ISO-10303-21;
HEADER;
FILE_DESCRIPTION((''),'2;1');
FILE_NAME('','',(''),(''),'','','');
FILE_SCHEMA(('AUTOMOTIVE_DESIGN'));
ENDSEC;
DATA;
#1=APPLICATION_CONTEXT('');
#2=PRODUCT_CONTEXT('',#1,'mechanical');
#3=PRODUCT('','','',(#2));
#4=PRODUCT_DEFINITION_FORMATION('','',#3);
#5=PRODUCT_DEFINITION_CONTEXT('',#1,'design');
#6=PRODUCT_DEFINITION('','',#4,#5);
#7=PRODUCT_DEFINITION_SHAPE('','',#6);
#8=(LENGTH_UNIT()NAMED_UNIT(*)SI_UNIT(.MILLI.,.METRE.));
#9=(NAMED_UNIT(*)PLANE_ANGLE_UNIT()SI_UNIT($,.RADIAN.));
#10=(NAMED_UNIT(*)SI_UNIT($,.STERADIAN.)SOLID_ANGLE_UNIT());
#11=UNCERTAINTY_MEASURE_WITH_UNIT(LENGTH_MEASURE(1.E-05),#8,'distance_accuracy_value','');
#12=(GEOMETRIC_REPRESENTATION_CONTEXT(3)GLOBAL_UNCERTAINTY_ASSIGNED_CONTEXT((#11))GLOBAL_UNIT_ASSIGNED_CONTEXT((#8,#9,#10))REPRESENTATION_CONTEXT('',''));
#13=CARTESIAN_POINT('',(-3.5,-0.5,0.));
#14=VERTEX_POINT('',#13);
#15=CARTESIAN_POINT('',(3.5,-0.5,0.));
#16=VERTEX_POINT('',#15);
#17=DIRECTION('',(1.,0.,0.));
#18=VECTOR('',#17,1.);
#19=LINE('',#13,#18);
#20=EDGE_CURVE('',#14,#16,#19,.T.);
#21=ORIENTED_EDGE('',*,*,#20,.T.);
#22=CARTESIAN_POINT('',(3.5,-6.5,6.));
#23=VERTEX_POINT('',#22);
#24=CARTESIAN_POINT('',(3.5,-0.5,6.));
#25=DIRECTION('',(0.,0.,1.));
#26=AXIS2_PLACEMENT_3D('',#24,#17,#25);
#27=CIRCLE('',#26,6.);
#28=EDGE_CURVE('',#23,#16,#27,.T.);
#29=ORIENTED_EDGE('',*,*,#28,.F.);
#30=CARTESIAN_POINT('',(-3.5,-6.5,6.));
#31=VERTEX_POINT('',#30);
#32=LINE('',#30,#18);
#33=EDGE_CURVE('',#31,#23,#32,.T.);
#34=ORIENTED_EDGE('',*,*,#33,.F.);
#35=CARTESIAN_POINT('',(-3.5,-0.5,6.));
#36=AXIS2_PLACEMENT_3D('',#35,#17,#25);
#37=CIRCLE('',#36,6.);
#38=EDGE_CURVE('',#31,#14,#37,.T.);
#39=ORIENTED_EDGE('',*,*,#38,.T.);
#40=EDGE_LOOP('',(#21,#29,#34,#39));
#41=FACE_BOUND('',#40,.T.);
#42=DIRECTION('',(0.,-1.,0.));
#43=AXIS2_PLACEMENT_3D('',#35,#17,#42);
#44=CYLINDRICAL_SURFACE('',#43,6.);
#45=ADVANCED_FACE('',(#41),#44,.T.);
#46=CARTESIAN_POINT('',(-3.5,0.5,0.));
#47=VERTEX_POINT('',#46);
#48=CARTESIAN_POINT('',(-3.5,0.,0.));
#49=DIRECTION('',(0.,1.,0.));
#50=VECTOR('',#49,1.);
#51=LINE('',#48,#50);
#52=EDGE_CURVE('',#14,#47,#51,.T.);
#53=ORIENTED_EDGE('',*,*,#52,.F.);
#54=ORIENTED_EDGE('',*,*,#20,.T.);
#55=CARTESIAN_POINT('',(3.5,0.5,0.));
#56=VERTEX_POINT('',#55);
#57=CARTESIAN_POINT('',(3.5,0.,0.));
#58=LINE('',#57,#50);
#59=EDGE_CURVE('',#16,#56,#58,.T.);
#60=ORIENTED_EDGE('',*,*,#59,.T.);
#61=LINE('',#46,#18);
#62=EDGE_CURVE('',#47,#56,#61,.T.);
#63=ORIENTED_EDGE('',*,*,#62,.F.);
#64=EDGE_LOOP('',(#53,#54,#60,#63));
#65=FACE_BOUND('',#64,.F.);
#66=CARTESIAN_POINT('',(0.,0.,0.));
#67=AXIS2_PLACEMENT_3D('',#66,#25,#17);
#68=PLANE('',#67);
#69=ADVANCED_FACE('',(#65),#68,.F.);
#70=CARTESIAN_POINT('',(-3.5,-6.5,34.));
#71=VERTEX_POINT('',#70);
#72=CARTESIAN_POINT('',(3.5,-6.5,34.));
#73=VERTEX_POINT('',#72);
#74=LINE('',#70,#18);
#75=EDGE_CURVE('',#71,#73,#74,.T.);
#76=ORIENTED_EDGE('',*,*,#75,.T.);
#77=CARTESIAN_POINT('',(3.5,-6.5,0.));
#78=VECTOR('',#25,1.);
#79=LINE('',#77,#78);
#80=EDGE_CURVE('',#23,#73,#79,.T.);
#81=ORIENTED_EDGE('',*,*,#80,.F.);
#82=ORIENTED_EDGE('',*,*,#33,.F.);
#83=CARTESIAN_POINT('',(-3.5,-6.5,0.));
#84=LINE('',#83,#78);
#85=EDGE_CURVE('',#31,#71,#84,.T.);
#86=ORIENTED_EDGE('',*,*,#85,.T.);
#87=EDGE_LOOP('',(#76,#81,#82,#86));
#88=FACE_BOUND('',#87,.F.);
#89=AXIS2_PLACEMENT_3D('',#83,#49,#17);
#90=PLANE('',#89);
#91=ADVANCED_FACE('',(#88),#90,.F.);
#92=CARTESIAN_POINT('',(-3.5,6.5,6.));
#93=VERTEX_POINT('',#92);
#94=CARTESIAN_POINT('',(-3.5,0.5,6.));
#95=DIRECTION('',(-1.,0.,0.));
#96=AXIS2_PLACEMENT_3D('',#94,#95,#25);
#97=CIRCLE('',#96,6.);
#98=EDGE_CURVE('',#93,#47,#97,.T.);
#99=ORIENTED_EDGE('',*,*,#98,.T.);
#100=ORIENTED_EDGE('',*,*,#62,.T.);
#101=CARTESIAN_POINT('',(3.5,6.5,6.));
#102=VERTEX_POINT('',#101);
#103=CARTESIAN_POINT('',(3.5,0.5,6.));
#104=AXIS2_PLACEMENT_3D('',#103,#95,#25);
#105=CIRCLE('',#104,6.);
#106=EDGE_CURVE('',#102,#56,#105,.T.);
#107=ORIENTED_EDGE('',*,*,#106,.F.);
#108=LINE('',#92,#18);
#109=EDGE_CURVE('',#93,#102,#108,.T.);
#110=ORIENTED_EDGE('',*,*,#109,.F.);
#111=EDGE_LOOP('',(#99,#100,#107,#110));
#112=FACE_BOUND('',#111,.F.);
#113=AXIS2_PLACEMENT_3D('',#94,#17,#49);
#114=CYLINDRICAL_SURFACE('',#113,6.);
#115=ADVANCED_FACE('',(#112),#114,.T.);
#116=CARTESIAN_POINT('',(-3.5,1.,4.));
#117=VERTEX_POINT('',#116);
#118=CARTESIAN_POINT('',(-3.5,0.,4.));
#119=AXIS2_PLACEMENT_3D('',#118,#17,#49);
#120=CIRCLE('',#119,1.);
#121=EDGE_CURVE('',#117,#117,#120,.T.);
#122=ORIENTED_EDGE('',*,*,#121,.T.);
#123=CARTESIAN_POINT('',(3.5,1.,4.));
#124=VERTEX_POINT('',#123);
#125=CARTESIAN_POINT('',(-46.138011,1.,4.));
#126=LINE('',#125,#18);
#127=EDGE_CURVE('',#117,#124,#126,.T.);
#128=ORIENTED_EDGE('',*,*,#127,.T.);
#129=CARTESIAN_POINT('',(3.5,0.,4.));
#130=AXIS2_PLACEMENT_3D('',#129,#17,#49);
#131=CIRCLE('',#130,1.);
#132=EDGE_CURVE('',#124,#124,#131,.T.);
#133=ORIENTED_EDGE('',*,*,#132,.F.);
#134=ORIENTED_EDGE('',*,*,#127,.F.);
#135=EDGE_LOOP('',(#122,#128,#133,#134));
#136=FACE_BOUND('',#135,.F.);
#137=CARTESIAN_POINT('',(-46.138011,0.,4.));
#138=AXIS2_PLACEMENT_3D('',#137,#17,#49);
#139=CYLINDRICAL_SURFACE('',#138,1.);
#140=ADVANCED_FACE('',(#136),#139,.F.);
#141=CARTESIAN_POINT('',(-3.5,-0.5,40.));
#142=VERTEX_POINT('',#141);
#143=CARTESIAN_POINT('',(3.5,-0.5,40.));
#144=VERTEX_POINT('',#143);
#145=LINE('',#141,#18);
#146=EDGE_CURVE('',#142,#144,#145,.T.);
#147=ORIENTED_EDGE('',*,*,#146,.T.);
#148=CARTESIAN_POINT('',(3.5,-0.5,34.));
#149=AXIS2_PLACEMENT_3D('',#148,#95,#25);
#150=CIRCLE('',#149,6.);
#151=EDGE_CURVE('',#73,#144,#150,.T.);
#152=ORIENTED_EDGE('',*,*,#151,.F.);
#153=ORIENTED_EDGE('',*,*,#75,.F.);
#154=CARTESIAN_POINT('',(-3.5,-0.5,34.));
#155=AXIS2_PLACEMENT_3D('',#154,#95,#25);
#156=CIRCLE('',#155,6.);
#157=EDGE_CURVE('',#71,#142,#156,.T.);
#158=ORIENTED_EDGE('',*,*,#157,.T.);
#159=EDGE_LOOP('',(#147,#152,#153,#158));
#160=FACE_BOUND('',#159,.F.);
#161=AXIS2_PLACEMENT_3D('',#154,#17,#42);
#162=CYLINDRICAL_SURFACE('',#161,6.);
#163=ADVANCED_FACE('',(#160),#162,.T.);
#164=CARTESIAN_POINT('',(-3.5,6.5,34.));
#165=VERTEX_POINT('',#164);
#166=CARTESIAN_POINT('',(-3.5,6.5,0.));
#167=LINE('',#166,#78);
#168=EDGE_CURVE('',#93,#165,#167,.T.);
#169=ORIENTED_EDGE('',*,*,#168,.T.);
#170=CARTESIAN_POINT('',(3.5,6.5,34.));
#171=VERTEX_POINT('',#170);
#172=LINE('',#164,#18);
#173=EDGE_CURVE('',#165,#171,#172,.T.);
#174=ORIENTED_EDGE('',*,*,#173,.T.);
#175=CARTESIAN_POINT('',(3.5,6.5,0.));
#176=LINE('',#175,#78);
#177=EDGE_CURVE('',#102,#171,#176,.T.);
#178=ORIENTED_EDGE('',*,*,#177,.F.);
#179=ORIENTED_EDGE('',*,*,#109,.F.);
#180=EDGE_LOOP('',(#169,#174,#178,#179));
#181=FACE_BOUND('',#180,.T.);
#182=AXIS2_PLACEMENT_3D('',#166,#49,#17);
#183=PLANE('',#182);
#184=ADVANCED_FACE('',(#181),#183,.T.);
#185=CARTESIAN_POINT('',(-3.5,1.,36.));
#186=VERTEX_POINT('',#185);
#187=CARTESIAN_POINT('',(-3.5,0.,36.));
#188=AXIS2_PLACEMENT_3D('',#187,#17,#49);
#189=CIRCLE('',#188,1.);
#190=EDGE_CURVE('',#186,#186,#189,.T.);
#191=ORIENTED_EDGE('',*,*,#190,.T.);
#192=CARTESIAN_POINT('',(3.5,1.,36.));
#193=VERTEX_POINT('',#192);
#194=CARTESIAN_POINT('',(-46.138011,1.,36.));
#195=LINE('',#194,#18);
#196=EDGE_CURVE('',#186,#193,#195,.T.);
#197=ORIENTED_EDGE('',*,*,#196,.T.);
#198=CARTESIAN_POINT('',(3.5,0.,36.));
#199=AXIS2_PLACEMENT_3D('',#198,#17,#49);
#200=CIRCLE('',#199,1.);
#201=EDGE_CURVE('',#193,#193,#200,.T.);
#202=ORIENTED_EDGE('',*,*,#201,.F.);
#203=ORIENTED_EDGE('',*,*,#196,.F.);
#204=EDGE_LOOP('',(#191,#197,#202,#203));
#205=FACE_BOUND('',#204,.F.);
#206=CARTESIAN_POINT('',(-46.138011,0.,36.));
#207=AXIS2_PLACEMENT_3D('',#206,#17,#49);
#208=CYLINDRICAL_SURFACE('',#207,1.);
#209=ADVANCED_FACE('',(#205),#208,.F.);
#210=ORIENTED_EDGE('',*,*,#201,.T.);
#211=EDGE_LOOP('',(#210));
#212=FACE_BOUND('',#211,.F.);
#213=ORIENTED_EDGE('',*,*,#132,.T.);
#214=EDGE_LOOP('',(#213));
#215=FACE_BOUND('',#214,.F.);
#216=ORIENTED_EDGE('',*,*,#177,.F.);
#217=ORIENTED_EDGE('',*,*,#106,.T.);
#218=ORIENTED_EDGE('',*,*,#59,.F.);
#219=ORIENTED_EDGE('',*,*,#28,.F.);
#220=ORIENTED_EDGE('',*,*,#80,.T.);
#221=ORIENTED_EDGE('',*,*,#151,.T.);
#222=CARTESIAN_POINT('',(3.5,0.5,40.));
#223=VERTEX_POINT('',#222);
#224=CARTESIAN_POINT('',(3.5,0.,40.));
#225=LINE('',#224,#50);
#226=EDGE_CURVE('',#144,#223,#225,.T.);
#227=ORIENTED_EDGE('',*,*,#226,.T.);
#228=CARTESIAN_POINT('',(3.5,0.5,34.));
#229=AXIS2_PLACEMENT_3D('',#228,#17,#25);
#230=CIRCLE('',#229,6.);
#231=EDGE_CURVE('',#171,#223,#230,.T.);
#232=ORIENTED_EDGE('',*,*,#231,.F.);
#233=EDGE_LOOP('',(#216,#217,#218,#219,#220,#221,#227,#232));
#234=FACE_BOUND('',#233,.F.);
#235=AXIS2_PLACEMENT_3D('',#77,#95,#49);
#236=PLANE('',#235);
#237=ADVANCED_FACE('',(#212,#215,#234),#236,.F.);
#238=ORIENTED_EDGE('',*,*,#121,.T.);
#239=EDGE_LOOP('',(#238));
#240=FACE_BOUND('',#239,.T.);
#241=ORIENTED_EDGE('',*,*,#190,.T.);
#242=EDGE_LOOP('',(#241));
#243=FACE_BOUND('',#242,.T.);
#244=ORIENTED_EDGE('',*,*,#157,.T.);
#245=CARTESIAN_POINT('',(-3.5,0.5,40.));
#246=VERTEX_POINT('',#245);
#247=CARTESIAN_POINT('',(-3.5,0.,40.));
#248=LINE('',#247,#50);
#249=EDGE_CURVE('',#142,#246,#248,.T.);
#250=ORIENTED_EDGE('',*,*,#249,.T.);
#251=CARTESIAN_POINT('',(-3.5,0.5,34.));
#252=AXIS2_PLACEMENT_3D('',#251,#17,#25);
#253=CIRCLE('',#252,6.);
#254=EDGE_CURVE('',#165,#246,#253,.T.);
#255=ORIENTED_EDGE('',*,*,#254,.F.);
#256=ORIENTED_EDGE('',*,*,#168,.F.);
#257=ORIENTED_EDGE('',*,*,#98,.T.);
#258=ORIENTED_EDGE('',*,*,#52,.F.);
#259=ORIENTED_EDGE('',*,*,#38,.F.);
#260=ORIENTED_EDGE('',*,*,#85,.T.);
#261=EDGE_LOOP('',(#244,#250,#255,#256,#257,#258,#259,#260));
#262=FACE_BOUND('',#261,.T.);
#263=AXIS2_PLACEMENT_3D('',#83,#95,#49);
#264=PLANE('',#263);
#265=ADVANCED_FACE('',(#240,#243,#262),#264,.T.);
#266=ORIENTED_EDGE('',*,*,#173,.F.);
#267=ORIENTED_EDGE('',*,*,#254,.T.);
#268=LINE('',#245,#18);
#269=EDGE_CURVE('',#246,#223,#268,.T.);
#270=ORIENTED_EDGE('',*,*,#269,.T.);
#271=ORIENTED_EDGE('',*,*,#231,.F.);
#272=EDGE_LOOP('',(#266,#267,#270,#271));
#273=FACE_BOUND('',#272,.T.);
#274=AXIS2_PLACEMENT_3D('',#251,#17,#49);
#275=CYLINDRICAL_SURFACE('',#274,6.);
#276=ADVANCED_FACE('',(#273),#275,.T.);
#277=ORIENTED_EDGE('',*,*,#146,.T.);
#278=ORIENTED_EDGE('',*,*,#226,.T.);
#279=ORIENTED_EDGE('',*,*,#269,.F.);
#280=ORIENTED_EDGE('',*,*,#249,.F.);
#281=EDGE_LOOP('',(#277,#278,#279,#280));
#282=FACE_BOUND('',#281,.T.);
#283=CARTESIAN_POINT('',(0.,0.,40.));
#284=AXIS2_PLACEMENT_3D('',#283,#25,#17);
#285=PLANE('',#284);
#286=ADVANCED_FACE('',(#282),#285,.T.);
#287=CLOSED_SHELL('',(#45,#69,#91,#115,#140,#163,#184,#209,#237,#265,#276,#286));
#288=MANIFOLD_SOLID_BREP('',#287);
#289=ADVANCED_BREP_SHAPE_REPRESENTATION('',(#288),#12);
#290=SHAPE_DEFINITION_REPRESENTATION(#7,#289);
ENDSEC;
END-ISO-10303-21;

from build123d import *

# Parameters (mm, degrees)
F0_W     = 7
F0_H     = 13
F1_DEPTH = 40
F2_R     = 6
F5_D     = 2


with BuildPart() as f1:
    # F0 (on Top) → F1 (new body)
    with BuildSketch(Plane.XY):
        Rectangle(F0_W, F0_H)
    extrude(amount=F1_DEPTH)

    # F2
    f2_edges = [f1.edges().sort_by_distance(p)[0] for p in [
        (0, 6.5, 40),
        (0, -6.5, 40),
        (0, 6.5, 0),
        (0, -6.5, 0),
    ]]
    fillet(f2_edges, radius=F2_R)

    # F5 (through all)
    with Locations(Plane(origin=(-3.5, 0, 0), x_dir=(0, -1, 0), z_dir=(-1, 0, 0))):
        with Locations((0, 4), (0, 36)):
            Hole(F5_D / 2)


solid = f1.part
